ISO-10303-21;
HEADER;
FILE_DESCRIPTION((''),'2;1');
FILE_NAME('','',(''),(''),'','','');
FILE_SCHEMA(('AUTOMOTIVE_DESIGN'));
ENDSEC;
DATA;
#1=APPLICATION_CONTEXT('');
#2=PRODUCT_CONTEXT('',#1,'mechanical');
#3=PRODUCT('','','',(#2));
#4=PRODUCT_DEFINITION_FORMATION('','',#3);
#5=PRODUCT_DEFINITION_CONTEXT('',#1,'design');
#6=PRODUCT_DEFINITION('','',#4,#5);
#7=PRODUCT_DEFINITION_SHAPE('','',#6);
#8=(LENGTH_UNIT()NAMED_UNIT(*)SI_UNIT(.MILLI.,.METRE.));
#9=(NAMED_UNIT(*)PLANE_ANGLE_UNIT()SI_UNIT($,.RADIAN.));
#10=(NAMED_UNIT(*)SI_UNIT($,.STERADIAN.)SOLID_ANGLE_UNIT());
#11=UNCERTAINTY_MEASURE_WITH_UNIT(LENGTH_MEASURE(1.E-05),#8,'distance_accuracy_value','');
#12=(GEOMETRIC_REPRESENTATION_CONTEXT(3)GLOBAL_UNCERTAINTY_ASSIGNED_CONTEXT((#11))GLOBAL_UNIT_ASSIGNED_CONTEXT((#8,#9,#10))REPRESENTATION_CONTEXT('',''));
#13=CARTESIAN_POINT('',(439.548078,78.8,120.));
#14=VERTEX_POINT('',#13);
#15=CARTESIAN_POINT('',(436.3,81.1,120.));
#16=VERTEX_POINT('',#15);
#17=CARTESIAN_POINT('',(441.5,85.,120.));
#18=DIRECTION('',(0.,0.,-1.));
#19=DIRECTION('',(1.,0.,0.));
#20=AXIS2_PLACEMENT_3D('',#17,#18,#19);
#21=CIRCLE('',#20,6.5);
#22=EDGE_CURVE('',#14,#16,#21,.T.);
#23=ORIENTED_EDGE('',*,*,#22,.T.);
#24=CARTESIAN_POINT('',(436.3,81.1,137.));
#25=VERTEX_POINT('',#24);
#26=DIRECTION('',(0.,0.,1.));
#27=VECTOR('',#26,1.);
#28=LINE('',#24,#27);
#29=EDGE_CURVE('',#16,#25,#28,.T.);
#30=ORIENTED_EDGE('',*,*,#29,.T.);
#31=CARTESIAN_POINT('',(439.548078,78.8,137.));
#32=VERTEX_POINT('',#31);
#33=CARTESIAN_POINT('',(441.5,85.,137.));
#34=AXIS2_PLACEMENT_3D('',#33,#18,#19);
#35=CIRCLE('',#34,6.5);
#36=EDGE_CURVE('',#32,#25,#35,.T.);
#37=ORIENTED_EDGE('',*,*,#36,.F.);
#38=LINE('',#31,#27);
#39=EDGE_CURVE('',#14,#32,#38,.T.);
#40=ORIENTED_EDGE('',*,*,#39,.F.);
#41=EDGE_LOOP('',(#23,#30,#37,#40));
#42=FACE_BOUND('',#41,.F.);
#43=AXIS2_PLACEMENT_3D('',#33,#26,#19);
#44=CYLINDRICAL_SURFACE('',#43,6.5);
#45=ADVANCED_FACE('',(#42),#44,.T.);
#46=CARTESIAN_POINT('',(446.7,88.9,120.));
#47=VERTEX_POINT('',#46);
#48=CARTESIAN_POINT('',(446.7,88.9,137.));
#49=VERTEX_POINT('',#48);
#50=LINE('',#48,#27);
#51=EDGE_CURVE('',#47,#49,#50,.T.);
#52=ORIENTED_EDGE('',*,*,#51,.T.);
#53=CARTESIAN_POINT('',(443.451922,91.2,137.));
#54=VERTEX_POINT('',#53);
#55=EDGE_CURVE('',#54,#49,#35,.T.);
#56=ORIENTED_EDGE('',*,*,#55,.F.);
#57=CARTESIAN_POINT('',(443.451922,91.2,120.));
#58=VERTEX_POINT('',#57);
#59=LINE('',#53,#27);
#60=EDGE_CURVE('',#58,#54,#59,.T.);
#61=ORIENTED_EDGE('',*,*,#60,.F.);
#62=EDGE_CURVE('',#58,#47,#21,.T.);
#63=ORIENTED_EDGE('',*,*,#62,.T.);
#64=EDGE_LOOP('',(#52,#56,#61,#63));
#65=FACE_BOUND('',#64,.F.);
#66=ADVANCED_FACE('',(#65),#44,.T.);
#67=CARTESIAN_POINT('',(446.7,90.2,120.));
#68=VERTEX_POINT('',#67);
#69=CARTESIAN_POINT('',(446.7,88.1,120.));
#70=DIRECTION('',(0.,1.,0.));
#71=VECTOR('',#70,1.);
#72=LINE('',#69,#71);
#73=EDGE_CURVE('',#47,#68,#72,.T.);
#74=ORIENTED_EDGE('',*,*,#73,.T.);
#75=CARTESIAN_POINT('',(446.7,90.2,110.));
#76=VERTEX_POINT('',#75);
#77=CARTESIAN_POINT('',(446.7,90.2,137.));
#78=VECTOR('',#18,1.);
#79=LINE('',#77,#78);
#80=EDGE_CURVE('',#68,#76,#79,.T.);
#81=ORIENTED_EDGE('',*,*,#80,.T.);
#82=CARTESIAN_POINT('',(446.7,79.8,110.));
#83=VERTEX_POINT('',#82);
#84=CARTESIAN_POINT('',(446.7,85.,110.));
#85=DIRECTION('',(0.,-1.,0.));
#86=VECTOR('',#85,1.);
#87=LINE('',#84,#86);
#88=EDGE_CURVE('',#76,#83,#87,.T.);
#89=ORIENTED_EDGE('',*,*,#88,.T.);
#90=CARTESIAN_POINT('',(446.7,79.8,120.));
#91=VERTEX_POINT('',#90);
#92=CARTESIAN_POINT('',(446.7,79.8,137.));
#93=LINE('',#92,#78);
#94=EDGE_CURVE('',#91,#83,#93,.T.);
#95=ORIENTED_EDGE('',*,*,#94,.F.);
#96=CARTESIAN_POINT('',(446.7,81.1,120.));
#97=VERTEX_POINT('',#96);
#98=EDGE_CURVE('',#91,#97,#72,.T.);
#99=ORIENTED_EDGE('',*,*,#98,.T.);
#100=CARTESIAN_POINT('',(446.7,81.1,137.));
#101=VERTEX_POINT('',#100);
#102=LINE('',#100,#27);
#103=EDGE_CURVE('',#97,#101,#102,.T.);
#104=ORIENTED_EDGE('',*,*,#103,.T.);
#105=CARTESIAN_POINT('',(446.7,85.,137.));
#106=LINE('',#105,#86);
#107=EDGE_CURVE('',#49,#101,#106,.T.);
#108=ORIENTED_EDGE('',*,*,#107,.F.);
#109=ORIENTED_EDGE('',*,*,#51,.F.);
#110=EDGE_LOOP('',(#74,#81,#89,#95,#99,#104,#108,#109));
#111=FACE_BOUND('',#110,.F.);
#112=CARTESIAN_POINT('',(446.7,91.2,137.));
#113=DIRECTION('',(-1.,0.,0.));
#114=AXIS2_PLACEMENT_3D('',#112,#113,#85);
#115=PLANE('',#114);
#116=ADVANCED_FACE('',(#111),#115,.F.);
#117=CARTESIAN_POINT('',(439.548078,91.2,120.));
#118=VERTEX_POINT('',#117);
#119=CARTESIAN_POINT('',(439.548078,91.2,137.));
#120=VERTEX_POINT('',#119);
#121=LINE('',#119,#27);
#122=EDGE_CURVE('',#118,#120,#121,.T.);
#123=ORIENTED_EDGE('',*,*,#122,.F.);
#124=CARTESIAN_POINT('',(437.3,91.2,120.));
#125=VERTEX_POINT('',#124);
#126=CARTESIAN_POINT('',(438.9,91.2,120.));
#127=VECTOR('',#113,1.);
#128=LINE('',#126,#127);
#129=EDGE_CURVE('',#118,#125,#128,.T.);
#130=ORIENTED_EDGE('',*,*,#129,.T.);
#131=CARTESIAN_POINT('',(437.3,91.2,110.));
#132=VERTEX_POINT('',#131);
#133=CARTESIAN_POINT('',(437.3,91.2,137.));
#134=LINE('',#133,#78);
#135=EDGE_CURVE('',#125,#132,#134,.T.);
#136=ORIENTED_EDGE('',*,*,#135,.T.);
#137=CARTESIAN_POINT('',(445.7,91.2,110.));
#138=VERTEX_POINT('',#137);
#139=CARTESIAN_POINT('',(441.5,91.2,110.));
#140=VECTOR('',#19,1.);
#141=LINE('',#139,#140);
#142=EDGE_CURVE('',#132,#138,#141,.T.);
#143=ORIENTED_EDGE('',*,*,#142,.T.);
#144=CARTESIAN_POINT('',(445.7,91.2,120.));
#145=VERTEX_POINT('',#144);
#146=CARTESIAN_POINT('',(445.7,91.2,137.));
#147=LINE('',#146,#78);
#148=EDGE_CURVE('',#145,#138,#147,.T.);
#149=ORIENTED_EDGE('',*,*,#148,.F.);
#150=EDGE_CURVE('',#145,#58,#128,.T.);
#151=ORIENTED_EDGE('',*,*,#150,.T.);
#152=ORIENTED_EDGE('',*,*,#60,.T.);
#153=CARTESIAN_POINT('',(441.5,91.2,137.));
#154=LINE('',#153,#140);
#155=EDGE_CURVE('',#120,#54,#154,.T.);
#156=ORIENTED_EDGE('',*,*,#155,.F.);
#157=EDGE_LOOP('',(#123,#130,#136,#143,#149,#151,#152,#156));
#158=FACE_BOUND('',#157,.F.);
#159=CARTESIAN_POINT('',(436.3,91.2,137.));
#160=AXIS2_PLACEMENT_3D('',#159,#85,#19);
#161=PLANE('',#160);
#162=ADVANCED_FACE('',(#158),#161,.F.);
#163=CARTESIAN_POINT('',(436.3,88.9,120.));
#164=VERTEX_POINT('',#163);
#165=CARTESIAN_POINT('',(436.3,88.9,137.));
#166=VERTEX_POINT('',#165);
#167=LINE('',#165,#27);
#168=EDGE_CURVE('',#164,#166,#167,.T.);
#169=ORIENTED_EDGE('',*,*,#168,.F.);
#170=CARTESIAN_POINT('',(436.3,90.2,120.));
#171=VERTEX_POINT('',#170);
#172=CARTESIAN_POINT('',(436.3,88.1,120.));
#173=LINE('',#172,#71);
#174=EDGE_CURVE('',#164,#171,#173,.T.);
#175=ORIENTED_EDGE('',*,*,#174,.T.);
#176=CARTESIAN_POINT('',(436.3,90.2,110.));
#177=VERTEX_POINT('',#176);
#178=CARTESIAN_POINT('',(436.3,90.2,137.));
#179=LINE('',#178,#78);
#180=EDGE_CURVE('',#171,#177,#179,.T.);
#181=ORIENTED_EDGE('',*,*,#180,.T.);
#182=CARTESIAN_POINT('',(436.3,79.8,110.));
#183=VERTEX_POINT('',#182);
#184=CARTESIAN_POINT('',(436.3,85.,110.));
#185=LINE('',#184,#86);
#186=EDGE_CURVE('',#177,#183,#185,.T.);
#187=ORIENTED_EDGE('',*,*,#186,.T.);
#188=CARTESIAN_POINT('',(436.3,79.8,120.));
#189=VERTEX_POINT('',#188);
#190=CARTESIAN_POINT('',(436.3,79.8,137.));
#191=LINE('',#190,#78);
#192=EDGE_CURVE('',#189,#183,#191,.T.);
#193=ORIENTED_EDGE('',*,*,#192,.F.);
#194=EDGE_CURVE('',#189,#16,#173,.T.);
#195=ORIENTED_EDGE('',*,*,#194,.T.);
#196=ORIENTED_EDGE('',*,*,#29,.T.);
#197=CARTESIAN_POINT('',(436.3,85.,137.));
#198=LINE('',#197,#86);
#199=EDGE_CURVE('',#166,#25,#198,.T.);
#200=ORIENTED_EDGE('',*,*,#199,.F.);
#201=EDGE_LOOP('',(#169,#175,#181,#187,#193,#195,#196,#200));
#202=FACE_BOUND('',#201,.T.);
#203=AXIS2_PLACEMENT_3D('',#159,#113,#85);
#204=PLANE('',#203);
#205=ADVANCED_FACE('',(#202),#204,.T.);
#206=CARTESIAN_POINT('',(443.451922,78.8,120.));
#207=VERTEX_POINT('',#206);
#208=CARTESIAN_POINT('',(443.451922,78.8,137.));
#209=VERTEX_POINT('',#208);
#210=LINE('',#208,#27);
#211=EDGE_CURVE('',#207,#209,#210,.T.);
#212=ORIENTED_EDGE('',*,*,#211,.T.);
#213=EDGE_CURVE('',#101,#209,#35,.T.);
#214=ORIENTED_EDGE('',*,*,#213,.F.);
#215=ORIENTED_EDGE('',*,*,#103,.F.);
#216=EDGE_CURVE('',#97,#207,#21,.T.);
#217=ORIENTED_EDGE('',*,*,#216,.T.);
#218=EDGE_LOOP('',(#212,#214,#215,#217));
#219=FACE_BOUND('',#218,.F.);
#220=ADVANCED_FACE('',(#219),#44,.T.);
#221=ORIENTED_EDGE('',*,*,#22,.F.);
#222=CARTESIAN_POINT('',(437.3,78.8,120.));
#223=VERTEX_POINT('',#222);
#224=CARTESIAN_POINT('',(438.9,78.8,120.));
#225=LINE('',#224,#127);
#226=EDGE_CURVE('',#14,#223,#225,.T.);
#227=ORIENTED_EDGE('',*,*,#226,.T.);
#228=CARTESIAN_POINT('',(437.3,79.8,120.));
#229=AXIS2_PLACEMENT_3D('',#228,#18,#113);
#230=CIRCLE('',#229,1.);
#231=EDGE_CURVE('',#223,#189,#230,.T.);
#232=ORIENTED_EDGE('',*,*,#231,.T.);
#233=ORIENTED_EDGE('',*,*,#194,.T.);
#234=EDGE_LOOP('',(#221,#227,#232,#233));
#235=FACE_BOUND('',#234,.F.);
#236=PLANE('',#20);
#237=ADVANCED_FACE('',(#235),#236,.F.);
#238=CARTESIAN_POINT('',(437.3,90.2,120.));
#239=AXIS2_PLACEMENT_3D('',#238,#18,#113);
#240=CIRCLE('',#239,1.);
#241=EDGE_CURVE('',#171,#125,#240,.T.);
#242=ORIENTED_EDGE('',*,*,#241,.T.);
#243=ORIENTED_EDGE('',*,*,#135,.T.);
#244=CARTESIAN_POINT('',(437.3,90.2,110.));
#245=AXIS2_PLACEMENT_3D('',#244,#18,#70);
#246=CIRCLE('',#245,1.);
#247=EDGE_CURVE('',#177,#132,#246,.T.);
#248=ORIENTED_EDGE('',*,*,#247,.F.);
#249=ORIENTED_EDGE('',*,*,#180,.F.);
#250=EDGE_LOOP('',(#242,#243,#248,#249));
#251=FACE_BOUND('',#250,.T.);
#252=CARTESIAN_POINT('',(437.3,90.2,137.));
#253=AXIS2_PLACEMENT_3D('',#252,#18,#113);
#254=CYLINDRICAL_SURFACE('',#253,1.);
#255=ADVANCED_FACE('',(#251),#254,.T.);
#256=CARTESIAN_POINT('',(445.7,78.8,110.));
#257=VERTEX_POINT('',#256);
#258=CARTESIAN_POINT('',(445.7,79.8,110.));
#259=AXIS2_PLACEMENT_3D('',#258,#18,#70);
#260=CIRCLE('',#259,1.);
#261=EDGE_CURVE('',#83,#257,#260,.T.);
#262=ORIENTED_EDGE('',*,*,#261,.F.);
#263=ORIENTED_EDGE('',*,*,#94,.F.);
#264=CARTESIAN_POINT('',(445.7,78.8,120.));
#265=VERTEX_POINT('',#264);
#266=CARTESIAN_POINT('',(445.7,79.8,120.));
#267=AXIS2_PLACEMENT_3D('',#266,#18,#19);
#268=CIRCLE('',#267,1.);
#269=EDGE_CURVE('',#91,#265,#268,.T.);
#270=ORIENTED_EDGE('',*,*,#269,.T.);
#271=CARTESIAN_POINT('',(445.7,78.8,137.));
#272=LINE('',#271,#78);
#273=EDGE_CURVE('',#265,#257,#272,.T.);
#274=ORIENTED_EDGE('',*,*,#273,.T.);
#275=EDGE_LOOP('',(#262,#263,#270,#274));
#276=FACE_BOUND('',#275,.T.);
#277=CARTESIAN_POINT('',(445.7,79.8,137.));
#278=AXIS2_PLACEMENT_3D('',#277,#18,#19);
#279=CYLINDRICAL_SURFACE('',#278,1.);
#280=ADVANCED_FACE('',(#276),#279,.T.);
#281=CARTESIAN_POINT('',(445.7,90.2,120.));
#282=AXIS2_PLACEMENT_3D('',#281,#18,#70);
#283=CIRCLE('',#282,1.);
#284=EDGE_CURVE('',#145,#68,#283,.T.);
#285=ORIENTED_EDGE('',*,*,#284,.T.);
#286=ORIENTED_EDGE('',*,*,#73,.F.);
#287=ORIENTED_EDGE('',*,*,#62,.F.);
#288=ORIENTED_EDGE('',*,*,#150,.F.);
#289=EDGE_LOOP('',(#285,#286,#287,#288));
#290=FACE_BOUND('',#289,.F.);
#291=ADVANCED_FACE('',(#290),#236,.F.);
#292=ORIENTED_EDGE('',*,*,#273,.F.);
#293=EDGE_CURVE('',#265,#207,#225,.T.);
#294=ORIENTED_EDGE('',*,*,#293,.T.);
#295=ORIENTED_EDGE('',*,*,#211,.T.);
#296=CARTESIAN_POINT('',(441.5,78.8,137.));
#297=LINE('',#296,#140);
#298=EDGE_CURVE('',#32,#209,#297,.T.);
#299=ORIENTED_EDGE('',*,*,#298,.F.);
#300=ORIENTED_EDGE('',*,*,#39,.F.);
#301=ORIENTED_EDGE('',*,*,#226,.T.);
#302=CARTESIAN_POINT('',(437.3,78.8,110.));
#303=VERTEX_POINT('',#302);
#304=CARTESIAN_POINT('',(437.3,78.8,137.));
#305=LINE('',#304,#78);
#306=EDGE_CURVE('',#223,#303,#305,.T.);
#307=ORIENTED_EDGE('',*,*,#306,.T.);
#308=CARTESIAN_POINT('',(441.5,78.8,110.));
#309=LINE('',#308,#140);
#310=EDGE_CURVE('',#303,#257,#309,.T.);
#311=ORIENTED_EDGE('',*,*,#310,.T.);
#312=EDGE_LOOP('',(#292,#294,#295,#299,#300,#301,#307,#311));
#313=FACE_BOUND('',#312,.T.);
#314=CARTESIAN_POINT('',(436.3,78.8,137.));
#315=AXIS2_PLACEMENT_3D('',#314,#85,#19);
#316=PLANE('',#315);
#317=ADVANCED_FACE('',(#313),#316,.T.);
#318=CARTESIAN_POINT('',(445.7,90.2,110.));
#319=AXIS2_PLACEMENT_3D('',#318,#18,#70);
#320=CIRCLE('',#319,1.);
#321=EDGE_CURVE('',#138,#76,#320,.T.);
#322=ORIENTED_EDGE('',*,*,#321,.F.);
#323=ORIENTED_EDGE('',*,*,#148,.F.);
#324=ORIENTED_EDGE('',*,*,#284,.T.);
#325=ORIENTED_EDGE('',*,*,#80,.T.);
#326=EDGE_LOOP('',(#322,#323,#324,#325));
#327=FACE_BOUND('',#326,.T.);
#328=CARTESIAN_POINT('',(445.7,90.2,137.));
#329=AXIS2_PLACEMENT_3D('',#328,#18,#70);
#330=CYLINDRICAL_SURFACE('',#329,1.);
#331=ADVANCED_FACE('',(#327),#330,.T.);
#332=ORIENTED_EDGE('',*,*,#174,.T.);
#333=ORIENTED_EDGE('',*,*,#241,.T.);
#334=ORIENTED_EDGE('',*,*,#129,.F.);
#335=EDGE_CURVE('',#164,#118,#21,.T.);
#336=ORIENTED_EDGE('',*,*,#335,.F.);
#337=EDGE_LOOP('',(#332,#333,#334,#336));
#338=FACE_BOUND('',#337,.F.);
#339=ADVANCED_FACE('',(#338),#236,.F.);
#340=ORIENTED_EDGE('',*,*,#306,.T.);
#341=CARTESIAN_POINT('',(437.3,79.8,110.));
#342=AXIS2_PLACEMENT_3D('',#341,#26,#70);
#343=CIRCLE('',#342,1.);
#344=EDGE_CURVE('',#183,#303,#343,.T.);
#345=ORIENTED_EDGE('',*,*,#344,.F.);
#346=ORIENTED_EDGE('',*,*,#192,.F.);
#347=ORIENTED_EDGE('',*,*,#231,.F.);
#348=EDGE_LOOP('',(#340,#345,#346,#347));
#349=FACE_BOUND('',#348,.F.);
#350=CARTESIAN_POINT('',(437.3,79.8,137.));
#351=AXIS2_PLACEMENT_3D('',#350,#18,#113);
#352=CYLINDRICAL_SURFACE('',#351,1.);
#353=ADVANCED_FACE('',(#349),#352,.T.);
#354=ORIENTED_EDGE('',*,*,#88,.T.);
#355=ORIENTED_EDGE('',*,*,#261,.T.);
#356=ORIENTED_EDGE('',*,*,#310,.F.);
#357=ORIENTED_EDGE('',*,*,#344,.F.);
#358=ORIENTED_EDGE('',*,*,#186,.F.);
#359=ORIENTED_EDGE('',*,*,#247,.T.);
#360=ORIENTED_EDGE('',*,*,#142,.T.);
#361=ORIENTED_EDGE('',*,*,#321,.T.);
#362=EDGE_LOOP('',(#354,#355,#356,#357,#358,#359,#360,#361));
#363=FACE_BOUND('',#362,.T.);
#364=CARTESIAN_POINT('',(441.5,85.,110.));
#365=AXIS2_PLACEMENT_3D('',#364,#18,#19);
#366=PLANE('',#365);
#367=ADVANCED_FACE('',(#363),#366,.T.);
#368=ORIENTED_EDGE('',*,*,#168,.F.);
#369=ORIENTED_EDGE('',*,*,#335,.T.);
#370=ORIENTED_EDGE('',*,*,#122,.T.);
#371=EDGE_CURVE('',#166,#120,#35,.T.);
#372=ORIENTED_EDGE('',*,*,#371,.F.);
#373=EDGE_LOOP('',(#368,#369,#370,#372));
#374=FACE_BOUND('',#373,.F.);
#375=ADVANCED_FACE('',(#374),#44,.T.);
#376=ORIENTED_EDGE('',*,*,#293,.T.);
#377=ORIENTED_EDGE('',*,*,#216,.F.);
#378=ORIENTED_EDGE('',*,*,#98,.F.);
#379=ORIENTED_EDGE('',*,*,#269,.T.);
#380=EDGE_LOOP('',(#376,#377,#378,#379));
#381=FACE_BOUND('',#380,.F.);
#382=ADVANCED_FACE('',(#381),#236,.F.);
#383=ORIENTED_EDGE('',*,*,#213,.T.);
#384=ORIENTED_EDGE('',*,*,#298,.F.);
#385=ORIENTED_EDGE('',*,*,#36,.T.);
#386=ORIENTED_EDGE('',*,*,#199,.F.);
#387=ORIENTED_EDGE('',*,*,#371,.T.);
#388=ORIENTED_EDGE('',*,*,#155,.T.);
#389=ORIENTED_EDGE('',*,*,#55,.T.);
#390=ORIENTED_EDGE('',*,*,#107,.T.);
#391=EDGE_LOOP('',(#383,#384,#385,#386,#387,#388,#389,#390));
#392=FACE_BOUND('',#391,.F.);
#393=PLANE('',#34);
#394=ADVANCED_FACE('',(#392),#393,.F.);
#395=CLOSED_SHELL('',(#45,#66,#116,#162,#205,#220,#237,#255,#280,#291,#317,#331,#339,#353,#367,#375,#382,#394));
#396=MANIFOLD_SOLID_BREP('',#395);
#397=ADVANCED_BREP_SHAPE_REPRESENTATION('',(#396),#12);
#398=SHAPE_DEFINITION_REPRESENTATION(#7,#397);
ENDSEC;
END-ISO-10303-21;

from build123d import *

# Parameters (mm, degrees)
BOX501_W                  = 10.4
BOX501_H                  = 12.4
BOX501_DEPTH              = 27
FILLET395_R               = 1
CYLINDER1189_R            = 8
CYLINDER1189_DEPTH        = 27
CYLINDER1191_R            = 6.5
CYLINDER1191_DEPTH        = 17
CYLINDER1190_R            = 8
CYLINDER1190_DEPTH        = 17
CYLINDER1192_R            = 8
CYLINDER1192_DEPTH        = 27
CUT014241_PLACEMENT_ANGLE = 180


with BuildPart() as fillet395:
    # Box501 → Box501 (new body)
    with BuildSketch(Plane(origin=(-5.2, -6.2, 0), x_dir=(1, 0, 0), z_dir=(0, 0, 1))):
        with Locations((5.2, 6.2)):
            Rectangle(BOX501_W, BOX501_H)
    extrude(amount=BOX501_DEPTH)

    # Fillet395
    fillet395_edges = [fillet395.edges().sort_by_distance(p)[0] for p in [
        (-5.2, -6.2, 13.5),
        (-5.2, 6.2, 13.5),
        (5.2, -6.2, 13.5),
        (5.2, 6.2, 13.5),
    ]]
    fillet(fillet395_edges, radius=FILLET395_R)


with BuildPart() as cut014240:
    # Cylinder1189 → Cylinder1189 (new body)
    with BuildSketch(Plane.XY):
        Circle(CYLINDER1189_R)
    extrude(amount=CYLINDER1189_DEPTH)

    # Cut014240: cut Fillet395
    add(fillet395.part, mode=Mode.SUBTRACT)


with BuildPart() as cylinder1409:
    # Cylinder1191 → Cylinder1191 (new body)
    with BuildSketch(Plane.XY):
        Circle(CYLINDER1191_R)
    extrude(amount=CYLINDER1191_DEPTH)


with BuildPart() as fusion248002050121:
    # Cylinder1190 → Cylinder1190 (new body)
    with BuildSketch(Plane.XY):
        Circle(CYLINDER1190_R)
    extrude(amount=CYLINDER1190_DEPTH)

    # Cut014239: cut Cylinder1409
    add(cylinder1409.part, mode=Mode.SUBTRACT)

    # Fusion248002050121: union Cut014240
    add(cut014240.part)


with BuildPart() as bucket_opening_motor:
    # Cylinder1192 → Cylinder1192 (new body)
    with BuildSketch(Plane.XY):
        Circle(CYLINDER1192_R)
    extrude(amount=CYLINDER1192_DEPTH)

    # Cut014241: cut Fusion248002050121
    add(fusion248002050121.part, mode=Mode.SUBTRACT)


with BuildPart() as bucket_opening_motor_1:
    # Cut014241 placement: moved
    add(bucket_opening_motor.part.moved(Location((441.5, 85, 137))).rotate(Axis((441.5, 85, 137), (1, 0, 0)), CUT014241_PLACEMENT_ANGLE))


solid = bucket_opening_motor_1.part
